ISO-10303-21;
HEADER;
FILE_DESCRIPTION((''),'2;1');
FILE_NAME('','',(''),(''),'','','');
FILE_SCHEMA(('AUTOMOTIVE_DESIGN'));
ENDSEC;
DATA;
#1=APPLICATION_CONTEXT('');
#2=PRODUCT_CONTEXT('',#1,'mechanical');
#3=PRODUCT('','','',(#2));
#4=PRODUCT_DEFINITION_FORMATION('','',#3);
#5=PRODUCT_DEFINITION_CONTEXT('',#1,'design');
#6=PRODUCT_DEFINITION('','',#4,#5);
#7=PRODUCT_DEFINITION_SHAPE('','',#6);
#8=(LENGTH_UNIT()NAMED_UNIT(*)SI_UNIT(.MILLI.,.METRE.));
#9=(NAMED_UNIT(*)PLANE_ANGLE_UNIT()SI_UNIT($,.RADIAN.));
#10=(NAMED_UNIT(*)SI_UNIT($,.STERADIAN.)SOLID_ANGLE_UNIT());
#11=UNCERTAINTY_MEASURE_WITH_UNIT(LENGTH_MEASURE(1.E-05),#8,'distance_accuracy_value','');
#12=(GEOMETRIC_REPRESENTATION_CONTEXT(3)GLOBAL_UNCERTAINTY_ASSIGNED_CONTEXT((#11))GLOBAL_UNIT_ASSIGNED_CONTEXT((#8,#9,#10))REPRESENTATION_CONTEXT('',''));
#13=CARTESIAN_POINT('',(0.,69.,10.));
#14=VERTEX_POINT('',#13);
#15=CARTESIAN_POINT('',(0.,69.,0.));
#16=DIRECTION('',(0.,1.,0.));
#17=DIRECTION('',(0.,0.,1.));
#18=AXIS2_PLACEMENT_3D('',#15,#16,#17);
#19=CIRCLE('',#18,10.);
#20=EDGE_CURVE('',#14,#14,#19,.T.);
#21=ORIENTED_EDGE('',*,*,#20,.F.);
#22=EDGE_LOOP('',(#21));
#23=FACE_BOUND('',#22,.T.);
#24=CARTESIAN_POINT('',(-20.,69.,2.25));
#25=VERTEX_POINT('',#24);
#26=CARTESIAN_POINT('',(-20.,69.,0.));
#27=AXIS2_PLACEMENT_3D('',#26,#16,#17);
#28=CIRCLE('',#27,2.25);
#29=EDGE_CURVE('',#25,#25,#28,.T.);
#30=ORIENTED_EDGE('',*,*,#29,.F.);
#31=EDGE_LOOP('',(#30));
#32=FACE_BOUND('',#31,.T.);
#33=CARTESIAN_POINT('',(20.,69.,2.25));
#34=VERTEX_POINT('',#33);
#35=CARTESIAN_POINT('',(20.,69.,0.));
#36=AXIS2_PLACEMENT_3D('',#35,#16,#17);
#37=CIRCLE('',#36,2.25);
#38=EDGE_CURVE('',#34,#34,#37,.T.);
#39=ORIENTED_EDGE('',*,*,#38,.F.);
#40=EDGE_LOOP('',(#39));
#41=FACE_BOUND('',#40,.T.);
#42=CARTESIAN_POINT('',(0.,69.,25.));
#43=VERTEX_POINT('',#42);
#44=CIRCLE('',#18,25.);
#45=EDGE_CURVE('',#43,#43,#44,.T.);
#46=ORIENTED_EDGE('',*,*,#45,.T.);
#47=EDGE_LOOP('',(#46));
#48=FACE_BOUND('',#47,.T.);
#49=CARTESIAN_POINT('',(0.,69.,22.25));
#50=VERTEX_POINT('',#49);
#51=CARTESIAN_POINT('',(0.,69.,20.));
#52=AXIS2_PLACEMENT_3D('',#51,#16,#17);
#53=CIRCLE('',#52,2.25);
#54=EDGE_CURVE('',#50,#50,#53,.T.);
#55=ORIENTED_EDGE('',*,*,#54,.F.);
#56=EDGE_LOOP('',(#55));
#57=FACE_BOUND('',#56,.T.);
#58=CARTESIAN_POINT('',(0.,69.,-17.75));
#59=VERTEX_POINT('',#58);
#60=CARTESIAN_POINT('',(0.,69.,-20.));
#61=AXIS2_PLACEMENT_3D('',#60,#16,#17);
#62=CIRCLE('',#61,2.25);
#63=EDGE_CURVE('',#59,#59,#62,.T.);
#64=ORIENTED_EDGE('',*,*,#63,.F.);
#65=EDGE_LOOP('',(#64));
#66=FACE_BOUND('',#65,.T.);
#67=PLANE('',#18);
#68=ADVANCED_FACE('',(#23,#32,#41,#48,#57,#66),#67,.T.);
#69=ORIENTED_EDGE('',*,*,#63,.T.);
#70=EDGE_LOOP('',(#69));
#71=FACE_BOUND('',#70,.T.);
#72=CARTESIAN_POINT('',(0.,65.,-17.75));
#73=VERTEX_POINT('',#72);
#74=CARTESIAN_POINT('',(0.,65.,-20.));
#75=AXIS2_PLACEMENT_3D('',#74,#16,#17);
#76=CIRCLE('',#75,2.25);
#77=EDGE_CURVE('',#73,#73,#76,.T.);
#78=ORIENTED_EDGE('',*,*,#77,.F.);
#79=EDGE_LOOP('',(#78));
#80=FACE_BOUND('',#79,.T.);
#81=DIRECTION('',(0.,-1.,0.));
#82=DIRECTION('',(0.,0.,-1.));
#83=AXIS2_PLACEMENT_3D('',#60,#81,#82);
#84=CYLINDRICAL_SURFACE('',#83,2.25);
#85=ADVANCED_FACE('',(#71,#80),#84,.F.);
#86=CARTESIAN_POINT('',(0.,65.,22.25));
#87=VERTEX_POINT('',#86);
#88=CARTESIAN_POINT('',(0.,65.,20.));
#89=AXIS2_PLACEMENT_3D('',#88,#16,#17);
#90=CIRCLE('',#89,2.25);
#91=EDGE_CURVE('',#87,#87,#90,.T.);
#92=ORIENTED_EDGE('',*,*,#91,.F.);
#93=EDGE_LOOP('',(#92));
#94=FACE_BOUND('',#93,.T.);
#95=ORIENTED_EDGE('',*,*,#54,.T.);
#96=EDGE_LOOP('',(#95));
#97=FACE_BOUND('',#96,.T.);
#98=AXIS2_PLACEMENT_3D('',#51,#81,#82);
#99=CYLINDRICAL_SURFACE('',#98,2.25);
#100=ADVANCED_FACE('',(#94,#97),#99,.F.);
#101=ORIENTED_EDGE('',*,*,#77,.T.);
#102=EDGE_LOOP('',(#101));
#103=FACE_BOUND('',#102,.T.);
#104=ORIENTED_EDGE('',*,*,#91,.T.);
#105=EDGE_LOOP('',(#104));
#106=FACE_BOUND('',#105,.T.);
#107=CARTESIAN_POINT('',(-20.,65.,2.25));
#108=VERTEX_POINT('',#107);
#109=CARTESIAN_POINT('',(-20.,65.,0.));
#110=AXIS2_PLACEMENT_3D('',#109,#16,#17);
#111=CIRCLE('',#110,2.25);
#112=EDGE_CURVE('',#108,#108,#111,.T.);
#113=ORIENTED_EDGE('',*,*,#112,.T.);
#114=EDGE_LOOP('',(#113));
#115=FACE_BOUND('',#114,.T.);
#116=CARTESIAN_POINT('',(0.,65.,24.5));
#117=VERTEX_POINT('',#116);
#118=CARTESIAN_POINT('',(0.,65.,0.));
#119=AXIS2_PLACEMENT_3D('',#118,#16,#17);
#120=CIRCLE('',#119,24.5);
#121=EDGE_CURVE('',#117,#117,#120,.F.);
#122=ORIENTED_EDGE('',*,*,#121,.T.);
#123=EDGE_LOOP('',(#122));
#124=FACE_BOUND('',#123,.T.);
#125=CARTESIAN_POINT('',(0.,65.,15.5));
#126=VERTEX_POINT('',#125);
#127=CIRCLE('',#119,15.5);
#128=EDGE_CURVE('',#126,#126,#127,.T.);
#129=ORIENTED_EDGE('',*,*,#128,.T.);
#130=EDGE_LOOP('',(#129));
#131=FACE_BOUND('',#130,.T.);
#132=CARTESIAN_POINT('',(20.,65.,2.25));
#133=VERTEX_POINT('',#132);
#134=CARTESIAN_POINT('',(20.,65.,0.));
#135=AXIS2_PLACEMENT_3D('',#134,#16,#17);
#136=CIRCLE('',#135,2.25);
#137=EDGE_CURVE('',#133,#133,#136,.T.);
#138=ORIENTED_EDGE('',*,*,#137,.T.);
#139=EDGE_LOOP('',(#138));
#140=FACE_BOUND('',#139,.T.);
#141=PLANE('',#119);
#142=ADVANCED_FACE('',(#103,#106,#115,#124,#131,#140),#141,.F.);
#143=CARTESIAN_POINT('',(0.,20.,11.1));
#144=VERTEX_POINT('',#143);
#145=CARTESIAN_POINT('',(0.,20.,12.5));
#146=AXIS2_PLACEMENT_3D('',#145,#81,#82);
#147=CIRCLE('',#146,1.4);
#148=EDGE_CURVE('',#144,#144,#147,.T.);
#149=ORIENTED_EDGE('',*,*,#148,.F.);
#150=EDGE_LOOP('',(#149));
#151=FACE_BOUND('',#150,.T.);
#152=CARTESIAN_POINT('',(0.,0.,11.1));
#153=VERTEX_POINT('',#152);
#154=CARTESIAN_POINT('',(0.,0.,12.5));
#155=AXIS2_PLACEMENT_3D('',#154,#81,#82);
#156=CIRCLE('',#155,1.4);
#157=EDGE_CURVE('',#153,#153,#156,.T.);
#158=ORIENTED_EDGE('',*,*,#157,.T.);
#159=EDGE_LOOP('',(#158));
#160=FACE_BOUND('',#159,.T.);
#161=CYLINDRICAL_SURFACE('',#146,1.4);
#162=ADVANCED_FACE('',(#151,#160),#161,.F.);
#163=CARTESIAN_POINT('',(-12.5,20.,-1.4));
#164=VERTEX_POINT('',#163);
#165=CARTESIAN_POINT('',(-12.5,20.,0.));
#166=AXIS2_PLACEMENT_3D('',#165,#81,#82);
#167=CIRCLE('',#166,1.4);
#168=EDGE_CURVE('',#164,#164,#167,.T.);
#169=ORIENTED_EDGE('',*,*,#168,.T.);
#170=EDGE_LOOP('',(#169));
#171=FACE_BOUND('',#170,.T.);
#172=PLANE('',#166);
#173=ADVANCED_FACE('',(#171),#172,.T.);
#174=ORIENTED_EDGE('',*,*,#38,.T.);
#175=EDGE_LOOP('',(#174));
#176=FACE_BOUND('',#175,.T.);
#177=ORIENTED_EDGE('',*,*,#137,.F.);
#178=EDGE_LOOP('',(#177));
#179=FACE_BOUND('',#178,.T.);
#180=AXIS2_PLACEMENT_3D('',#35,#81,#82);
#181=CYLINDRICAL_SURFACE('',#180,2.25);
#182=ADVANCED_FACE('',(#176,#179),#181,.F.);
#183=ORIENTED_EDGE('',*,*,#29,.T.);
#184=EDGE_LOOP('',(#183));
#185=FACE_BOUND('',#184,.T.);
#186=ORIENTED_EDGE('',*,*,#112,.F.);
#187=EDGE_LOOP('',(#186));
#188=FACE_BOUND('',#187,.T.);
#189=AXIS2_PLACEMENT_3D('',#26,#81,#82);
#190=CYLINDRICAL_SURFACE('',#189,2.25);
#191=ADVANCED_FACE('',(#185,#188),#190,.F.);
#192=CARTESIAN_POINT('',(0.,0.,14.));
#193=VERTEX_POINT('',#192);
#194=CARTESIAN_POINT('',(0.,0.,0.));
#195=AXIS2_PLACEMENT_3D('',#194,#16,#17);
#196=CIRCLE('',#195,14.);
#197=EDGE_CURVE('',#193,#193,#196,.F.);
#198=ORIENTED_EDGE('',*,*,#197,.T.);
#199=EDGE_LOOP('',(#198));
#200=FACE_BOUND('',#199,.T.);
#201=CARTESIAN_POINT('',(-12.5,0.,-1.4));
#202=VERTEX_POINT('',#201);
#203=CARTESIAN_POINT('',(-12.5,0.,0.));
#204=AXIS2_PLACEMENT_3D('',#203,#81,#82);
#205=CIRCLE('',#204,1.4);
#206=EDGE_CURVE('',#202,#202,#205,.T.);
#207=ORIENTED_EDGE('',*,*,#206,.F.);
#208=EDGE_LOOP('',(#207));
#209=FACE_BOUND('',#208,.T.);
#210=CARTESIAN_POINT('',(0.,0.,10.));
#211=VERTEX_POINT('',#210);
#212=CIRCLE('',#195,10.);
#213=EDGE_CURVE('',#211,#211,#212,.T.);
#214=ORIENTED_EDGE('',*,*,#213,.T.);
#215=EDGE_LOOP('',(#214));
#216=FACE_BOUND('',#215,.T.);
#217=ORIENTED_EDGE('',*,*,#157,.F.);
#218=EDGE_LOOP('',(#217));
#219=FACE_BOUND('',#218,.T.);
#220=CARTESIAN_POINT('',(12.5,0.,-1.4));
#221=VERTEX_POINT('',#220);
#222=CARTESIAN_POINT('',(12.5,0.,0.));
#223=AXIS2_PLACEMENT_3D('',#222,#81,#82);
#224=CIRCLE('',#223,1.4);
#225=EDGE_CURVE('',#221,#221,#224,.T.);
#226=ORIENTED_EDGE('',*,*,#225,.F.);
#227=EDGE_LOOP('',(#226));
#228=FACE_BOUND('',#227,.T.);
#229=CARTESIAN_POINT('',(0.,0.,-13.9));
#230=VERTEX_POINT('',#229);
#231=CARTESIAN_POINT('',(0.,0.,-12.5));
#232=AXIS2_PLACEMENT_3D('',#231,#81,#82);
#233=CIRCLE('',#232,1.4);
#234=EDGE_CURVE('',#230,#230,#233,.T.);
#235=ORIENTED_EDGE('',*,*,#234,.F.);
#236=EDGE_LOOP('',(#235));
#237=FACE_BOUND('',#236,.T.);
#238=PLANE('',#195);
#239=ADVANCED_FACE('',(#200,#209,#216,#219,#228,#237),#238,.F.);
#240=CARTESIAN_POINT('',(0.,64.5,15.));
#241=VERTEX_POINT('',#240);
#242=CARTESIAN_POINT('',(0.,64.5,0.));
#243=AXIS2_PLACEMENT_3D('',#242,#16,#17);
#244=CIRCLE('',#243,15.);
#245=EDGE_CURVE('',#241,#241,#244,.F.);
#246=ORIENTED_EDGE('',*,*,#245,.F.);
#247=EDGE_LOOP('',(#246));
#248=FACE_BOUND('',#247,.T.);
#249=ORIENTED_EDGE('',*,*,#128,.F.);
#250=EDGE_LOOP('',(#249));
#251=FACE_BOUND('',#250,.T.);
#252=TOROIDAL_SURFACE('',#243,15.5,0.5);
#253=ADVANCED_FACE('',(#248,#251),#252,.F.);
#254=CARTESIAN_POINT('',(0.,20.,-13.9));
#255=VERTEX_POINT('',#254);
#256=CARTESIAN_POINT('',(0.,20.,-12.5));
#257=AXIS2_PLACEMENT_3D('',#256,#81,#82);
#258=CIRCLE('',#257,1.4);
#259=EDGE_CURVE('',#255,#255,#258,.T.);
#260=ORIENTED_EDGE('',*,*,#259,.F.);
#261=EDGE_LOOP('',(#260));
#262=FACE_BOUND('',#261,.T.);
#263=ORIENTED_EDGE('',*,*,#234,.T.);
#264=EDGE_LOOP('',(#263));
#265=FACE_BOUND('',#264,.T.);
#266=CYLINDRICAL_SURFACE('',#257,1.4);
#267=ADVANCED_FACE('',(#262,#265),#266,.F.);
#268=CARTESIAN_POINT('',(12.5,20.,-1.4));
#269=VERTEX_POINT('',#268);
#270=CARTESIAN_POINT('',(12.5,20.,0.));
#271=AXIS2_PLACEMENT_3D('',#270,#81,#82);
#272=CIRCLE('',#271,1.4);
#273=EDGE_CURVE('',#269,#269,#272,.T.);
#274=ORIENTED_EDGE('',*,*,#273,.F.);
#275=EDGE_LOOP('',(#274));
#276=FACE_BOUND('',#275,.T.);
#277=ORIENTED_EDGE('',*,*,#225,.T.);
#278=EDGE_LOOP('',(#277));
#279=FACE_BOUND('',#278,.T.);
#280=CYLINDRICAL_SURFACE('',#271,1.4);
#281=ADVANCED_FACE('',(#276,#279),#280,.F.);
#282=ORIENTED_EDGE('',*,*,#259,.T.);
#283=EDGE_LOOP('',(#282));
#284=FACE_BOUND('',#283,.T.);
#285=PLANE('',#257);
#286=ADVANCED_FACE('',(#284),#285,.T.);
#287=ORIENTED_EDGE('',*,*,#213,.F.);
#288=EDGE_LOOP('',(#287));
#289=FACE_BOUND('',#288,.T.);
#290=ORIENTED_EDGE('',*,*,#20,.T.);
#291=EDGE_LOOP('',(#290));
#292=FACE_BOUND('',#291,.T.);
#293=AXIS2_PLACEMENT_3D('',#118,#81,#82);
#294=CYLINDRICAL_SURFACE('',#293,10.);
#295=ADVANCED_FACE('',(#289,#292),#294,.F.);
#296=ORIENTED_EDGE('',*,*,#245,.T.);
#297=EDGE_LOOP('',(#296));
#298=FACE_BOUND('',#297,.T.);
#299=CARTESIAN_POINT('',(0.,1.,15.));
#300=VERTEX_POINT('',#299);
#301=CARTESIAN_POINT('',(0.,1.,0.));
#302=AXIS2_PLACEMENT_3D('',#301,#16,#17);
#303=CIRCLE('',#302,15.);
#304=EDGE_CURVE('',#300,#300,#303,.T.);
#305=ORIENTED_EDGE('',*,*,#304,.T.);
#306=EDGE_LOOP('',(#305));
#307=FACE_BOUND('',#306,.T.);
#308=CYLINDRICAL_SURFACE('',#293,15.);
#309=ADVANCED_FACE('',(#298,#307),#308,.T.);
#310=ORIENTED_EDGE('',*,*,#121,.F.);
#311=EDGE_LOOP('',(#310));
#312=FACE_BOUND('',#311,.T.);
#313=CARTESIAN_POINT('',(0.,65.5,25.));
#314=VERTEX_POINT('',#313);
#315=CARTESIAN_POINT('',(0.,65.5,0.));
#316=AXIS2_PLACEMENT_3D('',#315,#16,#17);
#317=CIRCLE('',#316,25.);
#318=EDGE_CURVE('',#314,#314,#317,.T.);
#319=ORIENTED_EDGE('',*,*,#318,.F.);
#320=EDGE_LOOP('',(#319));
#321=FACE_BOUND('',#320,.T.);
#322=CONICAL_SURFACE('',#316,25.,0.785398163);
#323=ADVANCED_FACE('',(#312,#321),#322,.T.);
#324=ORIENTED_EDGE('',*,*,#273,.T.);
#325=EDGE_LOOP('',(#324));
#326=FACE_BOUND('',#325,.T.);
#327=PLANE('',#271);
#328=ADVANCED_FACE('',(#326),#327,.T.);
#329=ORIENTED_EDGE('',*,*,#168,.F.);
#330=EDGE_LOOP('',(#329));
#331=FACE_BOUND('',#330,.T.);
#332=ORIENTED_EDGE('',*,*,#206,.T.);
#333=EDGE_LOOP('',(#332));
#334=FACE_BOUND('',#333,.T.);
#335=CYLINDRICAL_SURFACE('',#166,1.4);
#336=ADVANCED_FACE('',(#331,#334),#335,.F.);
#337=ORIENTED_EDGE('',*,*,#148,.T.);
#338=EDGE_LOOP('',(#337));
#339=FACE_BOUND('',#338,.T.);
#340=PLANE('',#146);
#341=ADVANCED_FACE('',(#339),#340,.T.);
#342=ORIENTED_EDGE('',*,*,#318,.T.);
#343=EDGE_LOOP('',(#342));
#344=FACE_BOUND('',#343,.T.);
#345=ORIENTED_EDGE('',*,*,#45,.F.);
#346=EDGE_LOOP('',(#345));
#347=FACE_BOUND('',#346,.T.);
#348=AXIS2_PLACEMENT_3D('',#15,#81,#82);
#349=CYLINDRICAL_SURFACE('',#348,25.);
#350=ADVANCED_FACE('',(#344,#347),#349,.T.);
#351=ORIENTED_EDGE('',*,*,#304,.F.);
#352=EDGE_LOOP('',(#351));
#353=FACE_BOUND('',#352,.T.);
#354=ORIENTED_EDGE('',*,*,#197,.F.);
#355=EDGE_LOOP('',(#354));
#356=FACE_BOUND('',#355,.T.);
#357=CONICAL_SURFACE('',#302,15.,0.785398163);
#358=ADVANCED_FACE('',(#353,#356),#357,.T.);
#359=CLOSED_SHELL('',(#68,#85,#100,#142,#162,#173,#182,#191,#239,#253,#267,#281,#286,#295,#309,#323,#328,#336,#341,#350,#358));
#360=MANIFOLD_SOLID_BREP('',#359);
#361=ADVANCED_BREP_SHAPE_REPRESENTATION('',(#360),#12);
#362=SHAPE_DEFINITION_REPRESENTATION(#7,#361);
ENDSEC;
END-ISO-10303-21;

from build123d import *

# Parameters (mm, degrees)
SKETCH1_R           = 15
SKETCH1_R_2         = 10
BOSS_EXTRUDE1_DEPTH = 65
SKETCH2_R           = 25
SKETCH2_R_2         = 10
SKETCH2_R_3         = 2.25
BOSS_EXTRUDE2_DEPTH = 4
SKETCH4_R           = 1.4
CUT_EXTRUDE1_DEPTH  = 20
CHAMFER1_SIZE       = 1
CHAMFER2_SIZE       = 0.5
FILLET1_R           = 0.5


with BuildPart() as part:
    # Sketch1 → Boss-Extrude1 (new body)
    with BuildSketch(Plane(origin=(0, 0, 0), x_dir=(1, 0, 0), z_dir=(0, 1, 0))):
        with Locations(Location((0, 0, 0), (0, 0, 270))):
            Circle(SKETCH1_R)
        with Locations(Location((0, 0, 0), (0, 0, 270))):
            Circle(SKETCH1_R_2, mode=Mode.SUBTRACT)
    extrude(amount=BOSS_EXTRUDE1_DEPTH)

    # Sketch2 → Boss-Extrude2 (add)
    with BuildSketch(Plane(origin=(0, 65, 0), x_dir=(1, 0, 0), z_dir=(0, 1, 0))):
        with Locations(Location((0, 0, 0), (0, 0, 270))):
            Circle(SKETCH2_R)
        with Locations(Location((0, 0, 0), (0, 0, 270))):
            Circle(SKETCH2_R_2, mode=Mode.SUBTRACT)
        with Locations(Location((20, 0, 0), (0, 0, 270))):
            Circle(SKETCH2_R_3, mode=Mode.SUBTRACT)
        with Locations(Location((0, -20, 0), (0, 0, 270))):
            Circle(SKETCH2_R_3, mode=Mode.SUBTRACT)
        with Locations(Location((-20, 0, 0), (0, 0, 270))):
            Circle(SKETCH2_R_3, mode=Mode.SUBTRACT)
        with Locations(Location((0, 20, 0), (0, 0, 270))):
            Circle(SKETCH2_R_3, mode=Mode.SUBTRACT)
    extrude(amount=BOSS_EXTRUDE2_DEPTH)

    # Sketch4 → Cut-Extrude1 (cut)
    with BuildSketch(Plane.XZ):
        with Locations(Location((12.5, 0, 0), (0, 0, 270))):
            Circle(SKETCH4_R)
        with Locations(Location((0, -12.5, 0), (0, 0, 270))):
            Circle(SKETCH4_R)
        with Locations(Location((-12.5, 0, 0), (0, 0, 270))):
            Circle(SKETCH4_R)
        with Locations(Location((0, 12.5, 0), (0, 0, 270))):
            Circle(SKETCH4_R)
    extrude(amount=-CUT_EXTRUDE1_DEPTH, mode=Mode.SUBTRACT)

    # Chamfer1
    chamfer1_edges = [part.edges().sort_by_distance(p)[0] for p in [
        (0, 0, -15),
    ]]
    chamfer(chamfer1_edges, length=CHAMFER1_SIZE)

    # Chamfer2
    chamfer2_edges = [part.edges().sort_by_distance(p)[0] for p in [
        (0, 65, -25),
    ]]
    chamfer(chamfer2_edges, length=CHAMFER2_SIZE)

    # Fillet1
    fillet1_edges = [part.edges().sort_by_distance(p)[0] for p in [
        (0, 65, -15),
    ]]
    fillet(fillet1_edges, radius=FILLET1_R)


solid = part.part
